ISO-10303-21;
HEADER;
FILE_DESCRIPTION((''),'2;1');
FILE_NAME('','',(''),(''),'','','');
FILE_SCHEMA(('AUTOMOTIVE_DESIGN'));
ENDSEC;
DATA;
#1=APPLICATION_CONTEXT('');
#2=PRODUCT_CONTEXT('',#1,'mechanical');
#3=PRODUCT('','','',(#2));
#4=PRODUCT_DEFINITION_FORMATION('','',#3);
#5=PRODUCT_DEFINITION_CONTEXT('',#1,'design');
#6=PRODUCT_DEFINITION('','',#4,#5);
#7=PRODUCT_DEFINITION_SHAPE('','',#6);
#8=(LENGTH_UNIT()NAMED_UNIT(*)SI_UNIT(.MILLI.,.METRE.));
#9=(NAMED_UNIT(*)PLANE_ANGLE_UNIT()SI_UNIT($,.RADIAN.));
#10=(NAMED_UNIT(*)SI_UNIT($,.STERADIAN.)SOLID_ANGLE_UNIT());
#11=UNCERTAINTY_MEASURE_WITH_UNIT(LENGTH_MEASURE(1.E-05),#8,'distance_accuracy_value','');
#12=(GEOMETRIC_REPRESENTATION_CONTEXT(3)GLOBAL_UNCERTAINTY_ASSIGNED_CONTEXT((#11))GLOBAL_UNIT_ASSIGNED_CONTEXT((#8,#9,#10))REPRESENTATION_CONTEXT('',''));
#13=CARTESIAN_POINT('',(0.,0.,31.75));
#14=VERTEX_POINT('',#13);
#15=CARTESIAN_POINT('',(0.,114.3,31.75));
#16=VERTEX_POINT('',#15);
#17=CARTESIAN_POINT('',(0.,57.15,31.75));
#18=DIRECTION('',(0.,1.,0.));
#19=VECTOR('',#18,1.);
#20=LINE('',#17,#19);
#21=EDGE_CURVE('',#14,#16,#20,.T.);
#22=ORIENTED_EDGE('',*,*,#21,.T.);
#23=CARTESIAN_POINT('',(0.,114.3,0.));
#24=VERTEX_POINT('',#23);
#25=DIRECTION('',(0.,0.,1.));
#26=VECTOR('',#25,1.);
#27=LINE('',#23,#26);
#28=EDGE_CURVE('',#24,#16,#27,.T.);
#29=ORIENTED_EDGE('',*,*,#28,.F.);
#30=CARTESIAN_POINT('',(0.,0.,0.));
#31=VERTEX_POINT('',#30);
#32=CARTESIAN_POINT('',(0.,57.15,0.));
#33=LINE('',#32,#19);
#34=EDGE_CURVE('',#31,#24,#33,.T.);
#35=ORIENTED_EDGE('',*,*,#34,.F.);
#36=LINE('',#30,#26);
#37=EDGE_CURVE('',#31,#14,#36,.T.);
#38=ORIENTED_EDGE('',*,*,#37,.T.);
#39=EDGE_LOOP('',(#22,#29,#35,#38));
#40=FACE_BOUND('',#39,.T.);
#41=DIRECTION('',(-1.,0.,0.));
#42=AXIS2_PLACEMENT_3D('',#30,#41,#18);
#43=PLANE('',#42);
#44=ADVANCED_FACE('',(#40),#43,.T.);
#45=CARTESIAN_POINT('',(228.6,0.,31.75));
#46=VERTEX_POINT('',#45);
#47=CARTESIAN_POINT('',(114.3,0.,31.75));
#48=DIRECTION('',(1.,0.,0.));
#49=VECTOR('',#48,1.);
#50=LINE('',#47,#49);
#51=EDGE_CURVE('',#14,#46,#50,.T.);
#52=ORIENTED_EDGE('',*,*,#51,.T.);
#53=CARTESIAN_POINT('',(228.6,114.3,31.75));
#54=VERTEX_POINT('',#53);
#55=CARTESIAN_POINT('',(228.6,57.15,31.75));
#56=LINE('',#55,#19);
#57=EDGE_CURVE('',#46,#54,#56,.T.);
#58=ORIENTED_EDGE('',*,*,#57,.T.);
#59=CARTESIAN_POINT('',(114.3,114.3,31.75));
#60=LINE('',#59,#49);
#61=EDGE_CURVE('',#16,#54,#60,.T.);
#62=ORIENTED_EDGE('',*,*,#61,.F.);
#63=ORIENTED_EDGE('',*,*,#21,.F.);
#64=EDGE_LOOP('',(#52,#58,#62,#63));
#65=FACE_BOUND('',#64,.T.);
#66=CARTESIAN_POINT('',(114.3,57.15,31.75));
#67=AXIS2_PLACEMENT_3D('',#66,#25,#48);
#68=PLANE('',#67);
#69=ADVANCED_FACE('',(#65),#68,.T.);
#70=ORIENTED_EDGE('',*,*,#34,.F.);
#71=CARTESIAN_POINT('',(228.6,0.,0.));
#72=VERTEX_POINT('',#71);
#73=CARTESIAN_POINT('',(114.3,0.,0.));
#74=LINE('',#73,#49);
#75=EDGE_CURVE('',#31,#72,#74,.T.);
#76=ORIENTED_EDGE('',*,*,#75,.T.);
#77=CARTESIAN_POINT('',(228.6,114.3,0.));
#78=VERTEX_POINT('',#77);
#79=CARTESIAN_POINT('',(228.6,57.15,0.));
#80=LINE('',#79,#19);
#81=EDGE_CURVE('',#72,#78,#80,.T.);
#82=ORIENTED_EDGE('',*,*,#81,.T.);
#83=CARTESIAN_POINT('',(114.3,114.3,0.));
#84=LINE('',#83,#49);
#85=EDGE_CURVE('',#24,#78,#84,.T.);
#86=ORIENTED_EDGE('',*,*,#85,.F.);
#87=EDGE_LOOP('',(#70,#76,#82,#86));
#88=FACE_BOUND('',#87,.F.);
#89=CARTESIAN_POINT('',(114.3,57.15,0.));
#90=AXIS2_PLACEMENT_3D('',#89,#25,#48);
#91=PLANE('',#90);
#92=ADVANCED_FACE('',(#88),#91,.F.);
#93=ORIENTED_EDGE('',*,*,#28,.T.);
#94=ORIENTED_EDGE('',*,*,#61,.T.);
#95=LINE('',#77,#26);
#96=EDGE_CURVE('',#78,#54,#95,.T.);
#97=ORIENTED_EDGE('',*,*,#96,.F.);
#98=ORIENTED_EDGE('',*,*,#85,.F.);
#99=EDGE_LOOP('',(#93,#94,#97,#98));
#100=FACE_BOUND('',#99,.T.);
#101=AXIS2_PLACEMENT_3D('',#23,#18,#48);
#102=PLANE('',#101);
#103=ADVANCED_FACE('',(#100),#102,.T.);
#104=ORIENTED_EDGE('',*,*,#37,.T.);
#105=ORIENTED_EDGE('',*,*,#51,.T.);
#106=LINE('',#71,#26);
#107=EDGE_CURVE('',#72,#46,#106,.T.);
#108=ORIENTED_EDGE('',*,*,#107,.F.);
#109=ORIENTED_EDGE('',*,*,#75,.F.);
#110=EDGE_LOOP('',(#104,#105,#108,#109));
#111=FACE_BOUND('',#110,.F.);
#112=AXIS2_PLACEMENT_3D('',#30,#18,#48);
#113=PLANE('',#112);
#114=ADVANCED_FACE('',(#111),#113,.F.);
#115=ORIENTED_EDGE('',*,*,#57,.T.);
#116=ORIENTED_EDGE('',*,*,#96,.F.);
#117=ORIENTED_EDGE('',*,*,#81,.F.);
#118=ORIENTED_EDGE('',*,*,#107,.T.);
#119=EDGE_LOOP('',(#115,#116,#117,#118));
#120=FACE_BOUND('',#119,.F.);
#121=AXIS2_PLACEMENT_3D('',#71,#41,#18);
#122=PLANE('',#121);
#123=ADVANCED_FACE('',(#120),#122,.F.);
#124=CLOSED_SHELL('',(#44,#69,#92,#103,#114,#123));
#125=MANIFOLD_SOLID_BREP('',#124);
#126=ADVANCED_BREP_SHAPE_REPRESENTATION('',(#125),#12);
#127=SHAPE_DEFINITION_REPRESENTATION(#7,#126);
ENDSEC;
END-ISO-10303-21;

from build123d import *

# Parameters (mm, degrees)
BOX_W     = 228.6
BOX_H     = 114.3
BOX_DEPTH = 31.75


with BuildPart() as part:
    # Box → Box (new body)
    with BuildSketch(Plane.XY):
        with Locations((114.3, 57.15)):
            Rectangle(BOX_W, BOX_H)
    extrude(amount=BOX_DEPTH)


solid = part.part
